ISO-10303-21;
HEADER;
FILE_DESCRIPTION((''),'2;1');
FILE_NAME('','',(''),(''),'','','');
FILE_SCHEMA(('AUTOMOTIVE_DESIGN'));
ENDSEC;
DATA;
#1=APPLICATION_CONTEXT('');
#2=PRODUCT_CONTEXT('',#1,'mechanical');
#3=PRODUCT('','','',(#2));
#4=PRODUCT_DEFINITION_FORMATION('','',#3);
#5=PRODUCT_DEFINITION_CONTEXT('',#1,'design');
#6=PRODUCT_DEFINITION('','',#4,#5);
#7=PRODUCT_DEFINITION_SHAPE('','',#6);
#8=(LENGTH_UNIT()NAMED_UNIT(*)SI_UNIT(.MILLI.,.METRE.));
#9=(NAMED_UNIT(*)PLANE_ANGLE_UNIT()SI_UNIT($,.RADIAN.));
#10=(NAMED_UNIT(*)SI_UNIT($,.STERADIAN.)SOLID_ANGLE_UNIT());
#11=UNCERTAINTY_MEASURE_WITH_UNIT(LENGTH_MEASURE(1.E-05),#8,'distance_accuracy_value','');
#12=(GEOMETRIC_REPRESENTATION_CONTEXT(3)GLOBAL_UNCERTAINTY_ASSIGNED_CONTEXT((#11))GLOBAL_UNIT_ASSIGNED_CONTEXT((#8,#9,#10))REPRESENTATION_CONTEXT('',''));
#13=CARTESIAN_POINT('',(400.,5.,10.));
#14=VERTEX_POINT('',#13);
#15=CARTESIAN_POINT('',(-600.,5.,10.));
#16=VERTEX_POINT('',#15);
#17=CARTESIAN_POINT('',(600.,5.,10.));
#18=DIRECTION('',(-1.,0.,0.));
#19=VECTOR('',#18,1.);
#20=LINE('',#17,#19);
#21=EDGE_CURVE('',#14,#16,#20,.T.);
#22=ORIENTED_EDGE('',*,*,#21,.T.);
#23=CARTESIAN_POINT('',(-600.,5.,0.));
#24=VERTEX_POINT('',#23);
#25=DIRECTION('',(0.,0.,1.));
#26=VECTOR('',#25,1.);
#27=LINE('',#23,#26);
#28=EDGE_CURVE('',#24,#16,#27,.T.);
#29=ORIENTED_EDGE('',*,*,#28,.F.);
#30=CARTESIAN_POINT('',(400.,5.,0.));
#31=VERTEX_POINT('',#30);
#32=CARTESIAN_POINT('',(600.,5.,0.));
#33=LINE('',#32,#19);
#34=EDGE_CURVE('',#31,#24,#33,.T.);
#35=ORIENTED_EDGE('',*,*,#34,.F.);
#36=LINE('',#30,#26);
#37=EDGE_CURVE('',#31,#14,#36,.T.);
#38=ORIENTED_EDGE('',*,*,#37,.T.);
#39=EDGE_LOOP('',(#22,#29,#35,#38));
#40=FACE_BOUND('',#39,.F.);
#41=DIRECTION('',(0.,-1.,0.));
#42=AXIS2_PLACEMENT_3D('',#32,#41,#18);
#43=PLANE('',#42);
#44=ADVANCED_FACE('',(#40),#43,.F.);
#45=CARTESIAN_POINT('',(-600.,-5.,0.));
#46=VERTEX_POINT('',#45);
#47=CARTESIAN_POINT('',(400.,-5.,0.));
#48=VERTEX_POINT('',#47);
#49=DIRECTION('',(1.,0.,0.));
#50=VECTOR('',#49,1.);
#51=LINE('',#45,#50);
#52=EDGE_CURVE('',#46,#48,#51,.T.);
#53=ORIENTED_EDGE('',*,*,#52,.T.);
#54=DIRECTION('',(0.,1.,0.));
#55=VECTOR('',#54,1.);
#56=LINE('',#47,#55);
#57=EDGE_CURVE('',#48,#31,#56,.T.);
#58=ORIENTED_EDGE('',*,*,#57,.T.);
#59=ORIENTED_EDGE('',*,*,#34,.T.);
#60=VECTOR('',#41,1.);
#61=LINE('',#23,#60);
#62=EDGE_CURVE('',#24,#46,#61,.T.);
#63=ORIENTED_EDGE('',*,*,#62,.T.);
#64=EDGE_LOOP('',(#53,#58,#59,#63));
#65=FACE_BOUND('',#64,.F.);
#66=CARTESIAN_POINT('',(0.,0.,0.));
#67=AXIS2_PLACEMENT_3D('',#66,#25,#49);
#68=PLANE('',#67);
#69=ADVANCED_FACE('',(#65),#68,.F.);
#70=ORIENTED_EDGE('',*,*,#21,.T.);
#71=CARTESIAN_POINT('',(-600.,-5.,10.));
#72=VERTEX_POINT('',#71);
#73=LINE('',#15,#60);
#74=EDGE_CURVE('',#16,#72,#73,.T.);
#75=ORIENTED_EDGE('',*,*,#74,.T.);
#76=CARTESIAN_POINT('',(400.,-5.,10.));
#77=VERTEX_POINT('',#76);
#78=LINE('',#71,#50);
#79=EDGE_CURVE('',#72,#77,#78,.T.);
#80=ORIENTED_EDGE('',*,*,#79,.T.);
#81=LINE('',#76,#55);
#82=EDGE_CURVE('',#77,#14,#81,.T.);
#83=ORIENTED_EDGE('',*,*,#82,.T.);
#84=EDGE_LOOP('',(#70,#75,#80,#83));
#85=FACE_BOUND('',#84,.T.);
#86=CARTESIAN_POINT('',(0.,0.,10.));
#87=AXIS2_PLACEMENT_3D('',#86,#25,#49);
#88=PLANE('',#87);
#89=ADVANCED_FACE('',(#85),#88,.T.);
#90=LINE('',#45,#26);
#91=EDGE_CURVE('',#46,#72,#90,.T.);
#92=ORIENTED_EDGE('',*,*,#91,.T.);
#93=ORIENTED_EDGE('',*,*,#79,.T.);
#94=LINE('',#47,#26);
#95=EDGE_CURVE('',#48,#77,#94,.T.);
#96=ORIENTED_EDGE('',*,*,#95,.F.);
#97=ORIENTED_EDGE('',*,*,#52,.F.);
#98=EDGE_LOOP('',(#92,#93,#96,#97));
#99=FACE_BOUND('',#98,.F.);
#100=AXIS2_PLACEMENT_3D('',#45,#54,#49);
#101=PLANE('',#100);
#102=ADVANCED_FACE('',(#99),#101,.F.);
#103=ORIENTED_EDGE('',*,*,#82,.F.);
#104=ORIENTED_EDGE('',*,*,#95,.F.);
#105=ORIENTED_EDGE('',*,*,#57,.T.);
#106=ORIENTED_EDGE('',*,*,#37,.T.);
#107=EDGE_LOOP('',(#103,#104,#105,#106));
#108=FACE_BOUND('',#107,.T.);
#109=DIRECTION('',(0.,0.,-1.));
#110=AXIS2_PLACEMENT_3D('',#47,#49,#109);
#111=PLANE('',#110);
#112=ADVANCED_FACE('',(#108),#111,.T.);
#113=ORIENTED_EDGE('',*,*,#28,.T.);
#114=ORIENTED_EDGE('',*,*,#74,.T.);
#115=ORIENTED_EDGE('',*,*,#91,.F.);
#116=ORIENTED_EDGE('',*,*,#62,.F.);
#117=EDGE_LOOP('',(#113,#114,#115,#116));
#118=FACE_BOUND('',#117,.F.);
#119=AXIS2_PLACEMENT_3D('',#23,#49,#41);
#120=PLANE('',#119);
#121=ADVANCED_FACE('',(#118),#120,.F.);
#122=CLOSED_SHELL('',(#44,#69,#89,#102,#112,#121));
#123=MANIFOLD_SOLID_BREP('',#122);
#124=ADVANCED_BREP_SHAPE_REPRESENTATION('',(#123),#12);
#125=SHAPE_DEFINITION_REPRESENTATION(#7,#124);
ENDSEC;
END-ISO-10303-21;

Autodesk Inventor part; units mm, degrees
ref_plane "YZ Plane" through (0, 0, 0) normal (1, 0, 0) x (0, 1, 0)
ref_plane "XZ Plane" through (0, 0, 0) normal (0, 1, 0) x (-1, 0, 0)
ref_plane "XY Plane" through (0, 0, 0) normal (0, 0, 1) x (1, 0, 0)
sketch "Sketch2" plane through (0, 0, 0) normal (0, 0, 1) x (1, 0, 0)
  line L0 (600, 5) -> (-600, 5)
  line L1 (-600, 5) -> (-600, -5)
  line L2 (-600, -5) -> (600, -5)
  line L3 (600, -5) -> (600, 5)
  point P0 (0, 0)
extrude "Extrusion1" add sketch "Sketch2" along normal blind 10
sketch "Sketch3" plane through (600, -5, 0) normal (1, 0, 0) x (0, 0, -1)
  line L0 (0, 0) -> (0, 10) projected
  line L1 (0, 10) -> (-10, 10) projected
  line L2 (-10, 0) -> (-10, 10) projected
  line L3 (0, 0) -> (-10, 0) projected
  point P0 (0, 5)
extrude "Extrusion2" cut sketch "Sketch3" against normal blind 200
properties part number "wing rod"
